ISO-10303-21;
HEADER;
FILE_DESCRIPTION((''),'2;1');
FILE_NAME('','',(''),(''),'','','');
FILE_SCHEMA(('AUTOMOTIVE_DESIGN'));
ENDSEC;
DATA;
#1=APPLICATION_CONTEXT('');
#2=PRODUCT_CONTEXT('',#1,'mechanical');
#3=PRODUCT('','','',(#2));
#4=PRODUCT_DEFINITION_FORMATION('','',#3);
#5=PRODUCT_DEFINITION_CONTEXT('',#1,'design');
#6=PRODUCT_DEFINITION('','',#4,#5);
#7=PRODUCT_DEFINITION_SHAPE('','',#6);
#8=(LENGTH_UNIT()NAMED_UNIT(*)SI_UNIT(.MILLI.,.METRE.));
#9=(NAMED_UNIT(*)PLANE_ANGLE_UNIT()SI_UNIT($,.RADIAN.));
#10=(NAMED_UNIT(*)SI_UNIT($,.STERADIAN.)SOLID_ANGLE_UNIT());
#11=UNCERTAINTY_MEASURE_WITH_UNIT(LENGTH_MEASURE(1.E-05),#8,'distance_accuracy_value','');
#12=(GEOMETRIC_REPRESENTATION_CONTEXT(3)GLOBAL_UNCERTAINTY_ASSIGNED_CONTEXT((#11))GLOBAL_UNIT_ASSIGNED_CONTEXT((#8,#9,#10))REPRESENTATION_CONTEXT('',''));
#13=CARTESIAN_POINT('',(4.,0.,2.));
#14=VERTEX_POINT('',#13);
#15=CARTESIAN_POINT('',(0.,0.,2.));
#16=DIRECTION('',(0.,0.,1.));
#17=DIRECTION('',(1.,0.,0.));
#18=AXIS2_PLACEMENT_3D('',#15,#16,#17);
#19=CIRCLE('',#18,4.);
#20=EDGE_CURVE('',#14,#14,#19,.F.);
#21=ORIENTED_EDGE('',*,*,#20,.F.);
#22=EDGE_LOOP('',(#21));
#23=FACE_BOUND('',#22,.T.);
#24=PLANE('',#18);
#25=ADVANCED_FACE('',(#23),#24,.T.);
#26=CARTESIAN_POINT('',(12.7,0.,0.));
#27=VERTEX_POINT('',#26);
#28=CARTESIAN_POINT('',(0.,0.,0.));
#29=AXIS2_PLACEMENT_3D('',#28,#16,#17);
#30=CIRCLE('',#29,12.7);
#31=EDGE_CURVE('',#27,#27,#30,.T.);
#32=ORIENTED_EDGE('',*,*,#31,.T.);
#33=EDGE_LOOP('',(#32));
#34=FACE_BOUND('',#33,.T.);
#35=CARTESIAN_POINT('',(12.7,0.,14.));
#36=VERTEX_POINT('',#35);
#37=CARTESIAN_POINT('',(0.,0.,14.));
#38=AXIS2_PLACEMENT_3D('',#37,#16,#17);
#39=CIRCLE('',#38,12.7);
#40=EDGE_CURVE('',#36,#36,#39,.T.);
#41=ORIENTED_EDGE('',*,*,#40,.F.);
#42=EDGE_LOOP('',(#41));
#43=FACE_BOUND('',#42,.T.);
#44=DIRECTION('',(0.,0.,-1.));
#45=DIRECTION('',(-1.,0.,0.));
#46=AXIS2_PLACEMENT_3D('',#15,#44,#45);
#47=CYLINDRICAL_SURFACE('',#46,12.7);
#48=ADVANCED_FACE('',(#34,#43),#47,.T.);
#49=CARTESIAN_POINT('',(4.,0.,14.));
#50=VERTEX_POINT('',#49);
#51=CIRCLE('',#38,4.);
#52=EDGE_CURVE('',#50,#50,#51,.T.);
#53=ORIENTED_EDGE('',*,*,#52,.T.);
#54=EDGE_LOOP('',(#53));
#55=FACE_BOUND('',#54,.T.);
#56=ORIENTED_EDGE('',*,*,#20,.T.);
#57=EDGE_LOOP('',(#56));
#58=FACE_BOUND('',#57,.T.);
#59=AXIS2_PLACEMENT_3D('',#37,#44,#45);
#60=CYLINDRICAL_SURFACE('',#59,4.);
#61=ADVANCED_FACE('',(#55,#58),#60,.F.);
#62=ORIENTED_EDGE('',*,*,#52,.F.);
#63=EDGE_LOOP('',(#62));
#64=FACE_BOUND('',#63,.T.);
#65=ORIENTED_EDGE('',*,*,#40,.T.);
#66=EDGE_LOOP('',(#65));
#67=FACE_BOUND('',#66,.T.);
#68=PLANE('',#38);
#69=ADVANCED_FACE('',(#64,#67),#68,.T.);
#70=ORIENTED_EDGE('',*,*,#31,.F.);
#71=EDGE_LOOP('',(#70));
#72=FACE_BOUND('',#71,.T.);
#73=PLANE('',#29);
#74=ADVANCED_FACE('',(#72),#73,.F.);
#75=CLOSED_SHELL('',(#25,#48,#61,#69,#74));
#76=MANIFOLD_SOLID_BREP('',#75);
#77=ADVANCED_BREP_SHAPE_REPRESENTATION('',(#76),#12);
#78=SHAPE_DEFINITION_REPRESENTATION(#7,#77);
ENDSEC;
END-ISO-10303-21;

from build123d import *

# Parameters (mm, degrees)
SKETCH1_R           = 12.7
BOSS_EXTRUDE1_DEPTH = 2
SKETCH2_R           = 12.7
SKETCH2_R_2         = 4
BOSS_EXTRUDE2_DEPTH = 12


with BuildPart() as part:
    # Sketch1 → Boss-Extrude1 (new body)
    with BuildSketch(Plane.XY):
        Circle(SKETCH1_R)
    extrude(amount=BOSS_EXTRUDE1_DEPTH)

    # Sketch2 → Boss-Extrude2 (add)
    with BuildSketch(Plane.XY.offset(2)):
        Circle(SKETCH2_R)
        Circle(SKETCH2_R_2, mode=Mode.SUBTRACT)
    extrude(amount=BOSS_EXTRUDE2_DEPTH)


solid = part.part
